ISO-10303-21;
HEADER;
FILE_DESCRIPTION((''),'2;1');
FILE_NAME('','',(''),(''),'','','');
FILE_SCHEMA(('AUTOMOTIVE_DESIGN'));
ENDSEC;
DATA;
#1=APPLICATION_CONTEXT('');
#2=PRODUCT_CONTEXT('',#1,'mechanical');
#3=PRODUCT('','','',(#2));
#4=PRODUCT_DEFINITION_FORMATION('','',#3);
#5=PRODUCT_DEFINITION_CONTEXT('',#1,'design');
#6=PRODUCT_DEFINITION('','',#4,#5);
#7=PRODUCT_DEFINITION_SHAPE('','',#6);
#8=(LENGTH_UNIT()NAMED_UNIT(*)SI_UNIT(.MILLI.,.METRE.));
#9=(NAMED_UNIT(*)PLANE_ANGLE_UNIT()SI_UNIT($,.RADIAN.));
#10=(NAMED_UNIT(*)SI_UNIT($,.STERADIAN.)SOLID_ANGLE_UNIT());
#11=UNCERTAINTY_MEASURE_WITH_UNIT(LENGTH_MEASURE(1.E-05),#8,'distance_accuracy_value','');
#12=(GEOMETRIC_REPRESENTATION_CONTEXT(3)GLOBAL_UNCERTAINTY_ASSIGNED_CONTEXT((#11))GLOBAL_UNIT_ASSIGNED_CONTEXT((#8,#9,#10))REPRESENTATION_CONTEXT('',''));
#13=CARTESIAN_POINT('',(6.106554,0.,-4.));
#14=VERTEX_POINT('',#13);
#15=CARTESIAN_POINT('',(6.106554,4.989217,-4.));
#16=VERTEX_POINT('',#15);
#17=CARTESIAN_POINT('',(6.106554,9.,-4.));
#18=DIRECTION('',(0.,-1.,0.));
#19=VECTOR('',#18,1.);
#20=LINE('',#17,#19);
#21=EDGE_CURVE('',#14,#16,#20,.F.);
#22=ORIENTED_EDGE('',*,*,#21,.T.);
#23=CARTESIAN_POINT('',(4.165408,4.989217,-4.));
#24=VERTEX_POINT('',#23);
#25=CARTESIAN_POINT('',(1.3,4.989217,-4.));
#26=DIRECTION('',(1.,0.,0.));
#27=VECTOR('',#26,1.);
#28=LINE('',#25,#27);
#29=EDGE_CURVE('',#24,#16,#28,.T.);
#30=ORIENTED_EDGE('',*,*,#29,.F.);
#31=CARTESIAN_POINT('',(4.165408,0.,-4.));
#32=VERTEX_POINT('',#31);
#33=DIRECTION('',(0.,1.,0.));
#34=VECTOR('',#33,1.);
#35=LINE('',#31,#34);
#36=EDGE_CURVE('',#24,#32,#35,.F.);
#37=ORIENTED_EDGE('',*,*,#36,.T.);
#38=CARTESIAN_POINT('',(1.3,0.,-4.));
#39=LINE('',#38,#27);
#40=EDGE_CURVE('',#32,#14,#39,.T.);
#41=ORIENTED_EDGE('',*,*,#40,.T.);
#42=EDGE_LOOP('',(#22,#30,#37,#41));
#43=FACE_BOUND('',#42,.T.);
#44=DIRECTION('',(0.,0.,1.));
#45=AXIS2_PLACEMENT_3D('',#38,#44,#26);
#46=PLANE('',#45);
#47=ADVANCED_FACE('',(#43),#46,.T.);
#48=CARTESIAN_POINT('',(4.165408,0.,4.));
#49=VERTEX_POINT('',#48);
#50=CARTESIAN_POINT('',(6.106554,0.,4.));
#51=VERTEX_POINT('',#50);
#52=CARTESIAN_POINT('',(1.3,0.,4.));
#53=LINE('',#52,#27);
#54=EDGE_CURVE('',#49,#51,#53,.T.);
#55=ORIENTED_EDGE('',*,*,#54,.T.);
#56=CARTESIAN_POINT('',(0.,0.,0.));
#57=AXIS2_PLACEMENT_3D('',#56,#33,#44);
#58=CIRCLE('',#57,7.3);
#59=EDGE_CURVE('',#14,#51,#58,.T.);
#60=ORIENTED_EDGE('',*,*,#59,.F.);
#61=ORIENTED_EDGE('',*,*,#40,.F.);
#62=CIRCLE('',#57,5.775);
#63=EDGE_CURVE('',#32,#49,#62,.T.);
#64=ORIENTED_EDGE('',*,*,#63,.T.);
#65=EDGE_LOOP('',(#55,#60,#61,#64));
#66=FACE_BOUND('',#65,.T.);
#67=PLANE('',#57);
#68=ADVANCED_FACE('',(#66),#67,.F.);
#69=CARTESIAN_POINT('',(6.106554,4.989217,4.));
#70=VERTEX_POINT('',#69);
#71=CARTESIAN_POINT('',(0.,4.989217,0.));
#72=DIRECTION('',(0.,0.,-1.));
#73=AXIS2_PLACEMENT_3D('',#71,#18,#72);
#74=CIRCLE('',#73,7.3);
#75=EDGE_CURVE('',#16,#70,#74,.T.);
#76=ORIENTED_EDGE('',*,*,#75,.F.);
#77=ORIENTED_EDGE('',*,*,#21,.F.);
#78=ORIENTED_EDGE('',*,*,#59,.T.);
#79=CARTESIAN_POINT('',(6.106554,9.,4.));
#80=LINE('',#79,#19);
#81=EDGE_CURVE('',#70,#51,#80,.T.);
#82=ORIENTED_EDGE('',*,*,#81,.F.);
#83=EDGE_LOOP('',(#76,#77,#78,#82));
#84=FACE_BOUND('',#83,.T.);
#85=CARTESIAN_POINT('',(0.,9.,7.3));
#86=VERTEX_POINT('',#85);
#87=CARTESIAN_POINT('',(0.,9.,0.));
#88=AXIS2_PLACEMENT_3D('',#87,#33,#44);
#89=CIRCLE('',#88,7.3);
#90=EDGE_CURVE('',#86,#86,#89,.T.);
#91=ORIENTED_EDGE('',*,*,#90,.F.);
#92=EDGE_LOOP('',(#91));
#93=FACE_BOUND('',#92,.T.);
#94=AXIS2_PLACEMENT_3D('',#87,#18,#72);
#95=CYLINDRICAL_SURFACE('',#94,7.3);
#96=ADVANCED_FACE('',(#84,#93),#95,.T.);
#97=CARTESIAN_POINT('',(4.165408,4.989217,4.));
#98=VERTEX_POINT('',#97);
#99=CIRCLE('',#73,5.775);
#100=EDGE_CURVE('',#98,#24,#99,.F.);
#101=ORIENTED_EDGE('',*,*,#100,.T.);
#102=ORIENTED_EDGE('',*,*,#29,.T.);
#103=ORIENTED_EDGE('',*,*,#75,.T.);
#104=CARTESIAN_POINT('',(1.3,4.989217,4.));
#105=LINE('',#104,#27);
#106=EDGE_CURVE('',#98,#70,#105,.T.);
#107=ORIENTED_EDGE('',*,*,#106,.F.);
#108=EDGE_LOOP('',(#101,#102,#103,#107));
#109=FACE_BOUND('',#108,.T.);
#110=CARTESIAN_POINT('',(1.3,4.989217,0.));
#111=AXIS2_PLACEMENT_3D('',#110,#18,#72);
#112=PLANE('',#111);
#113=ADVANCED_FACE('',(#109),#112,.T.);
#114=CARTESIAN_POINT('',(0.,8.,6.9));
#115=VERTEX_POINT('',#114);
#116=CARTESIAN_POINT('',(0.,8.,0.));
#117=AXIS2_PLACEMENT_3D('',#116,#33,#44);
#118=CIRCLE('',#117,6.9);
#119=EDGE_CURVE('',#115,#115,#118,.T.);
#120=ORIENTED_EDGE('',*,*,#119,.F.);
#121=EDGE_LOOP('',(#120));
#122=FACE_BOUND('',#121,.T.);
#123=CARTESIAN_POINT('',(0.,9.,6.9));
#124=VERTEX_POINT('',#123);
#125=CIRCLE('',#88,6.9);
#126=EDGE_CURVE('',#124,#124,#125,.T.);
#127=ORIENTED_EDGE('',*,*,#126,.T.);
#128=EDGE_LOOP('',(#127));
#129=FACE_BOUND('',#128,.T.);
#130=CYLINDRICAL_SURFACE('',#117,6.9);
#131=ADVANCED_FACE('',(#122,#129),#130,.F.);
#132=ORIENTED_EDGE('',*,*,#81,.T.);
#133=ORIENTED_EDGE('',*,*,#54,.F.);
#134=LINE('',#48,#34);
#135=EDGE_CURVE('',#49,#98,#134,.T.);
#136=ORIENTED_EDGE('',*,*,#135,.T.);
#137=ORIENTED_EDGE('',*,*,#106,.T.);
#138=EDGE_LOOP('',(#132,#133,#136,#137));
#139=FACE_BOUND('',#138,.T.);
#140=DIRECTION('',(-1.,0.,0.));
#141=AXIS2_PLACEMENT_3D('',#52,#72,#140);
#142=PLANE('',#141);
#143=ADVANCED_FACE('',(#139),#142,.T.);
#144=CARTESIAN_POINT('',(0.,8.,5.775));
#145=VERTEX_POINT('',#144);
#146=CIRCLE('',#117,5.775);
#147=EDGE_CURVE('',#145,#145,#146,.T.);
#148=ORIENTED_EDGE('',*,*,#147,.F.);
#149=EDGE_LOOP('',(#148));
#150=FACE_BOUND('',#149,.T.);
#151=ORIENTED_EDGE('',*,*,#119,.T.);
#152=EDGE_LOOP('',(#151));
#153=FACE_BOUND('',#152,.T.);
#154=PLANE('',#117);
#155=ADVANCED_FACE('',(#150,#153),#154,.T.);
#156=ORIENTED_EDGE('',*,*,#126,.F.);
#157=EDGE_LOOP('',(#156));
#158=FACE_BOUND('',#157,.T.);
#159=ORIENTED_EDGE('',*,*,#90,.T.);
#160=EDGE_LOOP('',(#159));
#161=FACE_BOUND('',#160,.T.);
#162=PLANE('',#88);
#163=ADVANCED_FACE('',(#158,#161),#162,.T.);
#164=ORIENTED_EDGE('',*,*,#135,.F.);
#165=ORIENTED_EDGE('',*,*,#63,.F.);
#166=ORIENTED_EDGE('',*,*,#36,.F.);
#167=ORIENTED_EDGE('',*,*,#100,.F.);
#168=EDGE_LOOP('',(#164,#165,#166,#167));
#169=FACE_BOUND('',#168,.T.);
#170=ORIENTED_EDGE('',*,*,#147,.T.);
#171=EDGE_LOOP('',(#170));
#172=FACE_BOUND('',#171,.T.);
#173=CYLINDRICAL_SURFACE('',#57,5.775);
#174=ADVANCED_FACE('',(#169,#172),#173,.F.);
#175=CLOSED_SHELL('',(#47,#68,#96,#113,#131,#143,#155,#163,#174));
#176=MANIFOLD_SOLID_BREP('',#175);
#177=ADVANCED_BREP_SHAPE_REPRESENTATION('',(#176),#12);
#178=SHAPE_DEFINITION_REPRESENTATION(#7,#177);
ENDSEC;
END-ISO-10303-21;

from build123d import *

# Parameters (mm, degrees)
SKETCH1_R           = 7.3
BOSS_EXTRUDE1_DEPTH = 9
SKETCH2_R           = 6.9
CUT_EXTRUDE1_DEPTH  = 1
SKETCH3_R           = 5
CUT_EXTRUDE2_DEPTH  = 7
SKETCH4_R           = 5.775
CUT_EXTRUDE3_DEPTH  = 9
SKETCH5_W           = 4
SKETCH5_H           = 4.989216575
CUT_EXTRUDE4_DEPTH  = 6


with BuildPart() as part:
    # Sketch1 → Boss-Extrude1 (new body)
    with BuildSketch(Plane(origin=(0, 0, 0), x_dir=(1, 0, 0), z_dir=(0, 1, 0))):
        Circle(SKETCH1_R)
    extrude(amount=BOSS_EXTRUDE1_DEPTH)

    # Sketch2 → Cut-Extrude1 (cut)
    with BuildSketch(Plane(origin=(0, 9, 0), x_dir=(1, 0, 0), z_dir=(0, 1, 0))):
        Circle(SKETCH2_R)
    extrude(amount=-CUT_EXTRUDE1_DEPTH, mode=Mode.SUBTRACT)

    # Sketch3 → Cut-Extrude2 (cut)
    with BuildSketch(Plane.XZ):
        Circle(SKETCH3_R)
    extrude(amount=-CUT_EXTRUDE2_DEPTH, mode=Mode.SUBTRACT)

    # Sketch4 → Cut-Extrude3 (cut, through all)
    with BuildSketch(Plane(origin=(0, 8, 0), x_dir=(1, 0, 0), z_dir=(0, 1, 0))):
        Circle(SKETCH4_R)
    extrude(amount=-CUT_EXTRUDE3_DEPTH, mode=Mode.SUBTRACT)

    # Sketch5 → Cut-Extrude4 (cut)
    with BuildSketch(Plane(origin=(7.3, 0, 0), x_dir=(0, 0, -1), z_dir=(1, 0, 0))):
        with Locations((-2, 2.494608288)):
            Rectangle(SKETCH5_W, SKETCH5_H)
        with Locations((2, 2.494608288)):
            Rectangle(SKETCH5_W, SKETCH5_H)
    extrude(amount=-CUT_EXTRUDE4_DEPTH, mode=Mode.SUBTRACT)


solid = part.part
